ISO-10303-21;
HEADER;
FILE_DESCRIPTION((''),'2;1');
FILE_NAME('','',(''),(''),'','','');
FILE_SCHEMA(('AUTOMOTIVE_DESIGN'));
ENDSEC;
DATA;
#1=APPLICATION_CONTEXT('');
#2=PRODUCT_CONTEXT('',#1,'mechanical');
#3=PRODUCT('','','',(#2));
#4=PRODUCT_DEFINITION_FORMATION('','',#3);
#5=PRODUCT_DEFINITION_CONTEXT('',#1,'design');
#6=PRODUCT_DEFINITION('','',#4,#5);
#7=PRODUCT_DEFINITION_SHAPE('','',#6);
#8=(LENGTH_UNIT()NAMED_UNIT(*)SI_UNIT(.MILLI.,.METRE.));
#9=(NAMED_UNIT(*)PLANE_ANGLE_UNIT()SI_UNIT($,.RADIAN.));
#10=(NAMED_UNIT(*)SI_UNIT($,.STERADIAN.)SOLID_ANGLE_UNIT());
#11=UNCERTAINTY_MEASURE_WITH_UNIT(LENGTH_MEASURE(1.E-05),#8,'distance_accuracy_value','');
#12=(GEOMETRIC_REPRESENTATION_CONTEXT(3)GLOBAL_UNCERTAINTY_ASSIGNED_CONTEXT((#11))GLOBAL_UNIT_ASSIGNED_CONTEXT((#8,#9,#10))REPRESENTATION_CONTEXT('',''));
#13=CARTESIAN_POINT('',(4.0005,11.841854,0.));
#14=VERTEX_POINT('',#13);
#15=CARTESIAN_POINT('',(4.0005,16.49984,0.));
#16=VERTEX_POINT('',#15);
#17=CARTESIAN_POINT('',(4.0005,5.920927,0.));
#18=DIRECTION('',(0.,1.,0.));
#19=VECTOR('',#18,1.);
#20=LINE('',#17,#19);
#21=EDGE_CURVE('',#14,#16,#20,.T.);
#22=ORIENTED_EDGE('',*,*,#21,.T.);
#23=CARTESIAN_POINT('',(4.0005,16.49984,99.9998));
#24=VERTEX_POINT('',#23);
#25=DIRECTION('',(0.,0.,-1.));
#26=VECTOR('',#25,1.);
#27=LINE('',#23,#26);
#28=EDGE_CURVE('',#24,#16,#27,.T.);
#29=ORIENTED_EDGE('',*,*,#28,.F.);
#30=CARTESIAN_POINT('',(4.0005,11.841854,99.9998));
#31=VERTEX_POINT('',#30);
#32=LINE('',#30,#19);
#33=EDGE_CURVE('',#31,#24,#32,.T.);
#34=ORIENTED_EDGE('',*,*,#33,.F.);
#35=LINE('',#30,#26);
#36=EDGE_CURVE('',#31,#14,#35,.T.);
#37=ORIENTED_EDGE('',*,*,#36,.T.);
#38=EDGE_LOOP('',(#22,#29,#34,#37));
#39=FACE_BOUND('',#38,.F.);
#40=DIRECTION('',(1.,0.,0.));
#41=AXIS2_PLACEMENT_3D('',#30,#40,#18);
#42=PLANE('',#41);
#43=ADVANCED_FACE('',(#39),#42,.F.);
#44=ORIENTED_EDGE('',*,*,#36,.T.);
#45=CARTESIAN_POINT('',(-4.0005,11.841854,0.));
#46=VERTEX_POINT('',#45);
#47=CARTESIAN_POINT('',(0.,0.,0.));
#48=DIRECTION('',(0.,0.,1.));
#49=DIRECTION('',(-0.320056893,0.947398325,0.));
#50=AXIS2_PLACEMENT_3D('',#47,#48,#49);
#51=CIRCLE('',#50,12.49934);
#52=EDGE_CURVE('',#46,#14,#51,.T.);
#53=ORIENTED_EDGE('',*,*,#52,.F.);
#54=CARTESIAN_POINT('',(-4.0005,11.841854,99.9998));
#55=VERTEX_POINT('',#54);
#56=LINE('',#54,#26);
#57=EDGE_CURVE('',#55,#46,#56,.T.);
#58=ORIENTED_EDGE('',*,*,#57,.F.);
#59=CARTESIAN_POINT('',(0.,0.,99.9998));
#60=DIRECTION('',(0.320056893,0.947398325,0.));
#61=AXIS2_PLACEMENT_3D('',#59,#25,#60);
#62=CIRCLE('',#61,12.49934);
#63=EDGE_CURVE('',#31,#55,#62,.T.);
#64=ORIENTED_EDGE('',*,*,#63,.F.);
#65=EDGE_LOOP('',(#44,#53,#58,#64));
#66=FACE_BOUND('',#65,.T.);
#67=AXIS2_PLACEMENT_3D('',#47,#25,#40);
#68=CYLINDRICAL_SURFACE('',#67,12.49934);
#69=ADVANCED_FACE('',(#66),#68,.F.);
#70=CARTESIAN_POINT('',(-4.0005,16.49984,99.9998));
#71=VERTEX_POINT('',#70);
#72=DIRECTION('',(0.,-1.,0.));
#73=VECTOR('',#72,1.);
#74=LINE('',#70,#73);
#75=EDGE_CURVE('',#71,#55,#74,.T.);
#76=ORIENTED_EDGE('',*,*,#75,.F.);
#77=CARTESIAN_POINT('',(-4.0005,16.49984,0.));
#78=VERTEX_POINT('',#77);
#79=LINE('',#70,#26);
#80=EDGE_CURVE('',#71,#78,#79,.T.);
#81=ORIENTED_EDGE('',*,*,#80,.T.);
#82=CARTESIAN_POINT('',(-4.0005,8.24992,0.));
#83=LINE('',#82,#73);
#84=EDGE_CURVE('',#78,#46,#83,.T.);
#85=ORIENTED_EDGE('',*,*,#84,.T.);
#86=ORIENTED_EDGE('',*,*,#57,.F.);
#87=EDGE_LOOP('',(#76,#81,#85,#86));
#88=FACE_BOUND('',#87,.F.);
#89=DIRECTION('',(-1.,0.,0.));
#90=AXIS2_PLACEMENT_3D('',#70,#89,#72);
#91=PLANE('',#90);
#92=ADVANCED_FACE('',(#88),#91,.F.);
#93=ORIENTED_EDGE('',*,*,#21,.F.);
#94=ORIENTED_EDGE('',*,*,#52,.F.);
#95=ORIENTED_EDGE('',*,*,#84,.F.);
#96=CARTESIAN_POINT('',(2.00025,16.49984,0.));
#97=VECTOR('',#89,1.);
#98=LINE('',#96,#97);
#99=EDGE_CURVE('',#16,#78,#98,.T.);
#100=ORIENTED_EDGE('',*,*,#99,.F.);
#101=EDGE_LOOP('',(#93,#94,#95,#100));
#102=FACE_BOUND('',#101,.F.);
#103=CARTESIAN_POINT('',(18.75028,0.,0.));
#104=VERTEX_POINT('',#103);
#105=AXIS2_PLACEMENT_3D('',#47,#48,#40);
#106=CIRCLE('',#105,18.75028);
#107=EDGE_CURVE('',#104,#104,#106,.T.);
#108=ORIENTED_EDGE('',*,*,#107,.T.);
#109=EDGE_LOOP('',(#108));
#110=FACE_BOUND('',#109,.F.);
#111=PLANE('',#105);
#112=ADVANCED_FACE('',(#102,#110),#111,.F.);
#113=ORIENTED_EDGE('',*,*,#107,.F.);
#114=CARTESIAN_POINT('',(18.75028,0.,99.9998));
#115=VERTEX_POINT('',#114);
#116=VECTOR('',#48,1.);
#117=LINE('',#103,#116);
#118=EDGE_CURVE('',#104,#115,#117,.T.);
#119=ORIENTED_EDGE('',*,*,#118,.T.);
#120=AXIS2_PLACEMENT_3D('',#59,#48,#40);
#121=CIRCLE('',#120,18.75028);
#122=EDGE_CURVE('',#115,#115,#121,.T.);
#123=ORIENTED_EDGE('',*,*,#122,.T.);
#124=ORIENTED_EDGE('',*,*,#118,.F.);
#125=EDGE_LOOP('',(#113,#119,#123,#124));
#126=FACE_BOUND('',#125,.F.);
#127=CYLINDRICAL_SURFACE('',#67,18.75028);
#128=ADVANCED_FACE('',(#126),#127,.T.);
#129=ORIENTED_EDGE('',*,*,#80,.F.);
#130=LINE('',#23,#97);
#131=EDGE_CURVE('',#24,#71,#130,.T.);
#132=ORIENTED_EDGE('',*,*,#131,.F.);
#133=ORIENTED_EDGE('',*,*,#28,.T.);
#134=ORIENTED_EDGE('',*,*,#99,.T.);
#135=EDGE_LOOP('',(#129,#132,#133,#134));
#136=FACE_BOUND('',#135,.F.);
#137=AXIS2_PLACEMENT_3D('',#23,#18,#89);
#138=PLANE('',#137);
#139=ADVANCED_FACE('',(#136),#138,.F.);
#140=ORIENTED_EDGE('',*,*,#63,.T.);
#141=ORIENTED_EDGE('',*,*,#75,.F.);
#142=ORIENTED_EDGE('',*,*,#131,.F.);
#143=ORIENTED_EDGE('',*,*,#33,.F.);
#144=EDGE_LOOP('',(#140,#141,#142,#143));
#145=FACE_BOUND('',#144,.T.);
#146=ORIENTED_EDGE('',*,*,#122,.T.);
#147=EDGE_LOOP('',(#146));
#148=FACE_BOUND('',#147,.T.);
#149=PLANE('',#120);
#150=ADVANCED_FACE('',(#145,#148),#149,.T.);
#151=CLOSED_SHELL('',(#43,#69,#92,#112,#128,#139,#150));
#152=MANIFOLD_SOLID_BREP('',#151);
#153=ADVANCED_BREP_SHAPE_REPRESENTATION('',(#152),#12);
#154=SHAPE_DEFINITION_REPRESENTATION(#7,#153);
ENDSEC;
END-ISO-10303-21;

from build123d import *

# Parameters (mm, degrees)
F0_R     = 18.75028
F0_R_2   = 12.49934
F1_DEPTH = 99.9998
F3_DEPTH = 100.0008


with BuildPart() as f1:
    # F0 (on Top) → F1 (new body)
    with BuildSketch(Plane.XY):
        Circle(F0_R)
        Circle(F0_R_2, mode=Mode.SUBTRACT)
    extrude(amount=F1_DEPTH)

    # F2 (on face) → F3 (cut, through all)
    with BuildSketch(Plane.XY.offset(99.9998)):
        with BuildLine():
            ThreePointArc((-4.0005, 11.841854), (-7.288, -10.154731), (12.49934, 0))
            ThreePointArc((12.49934, 0), (10.154731, 7.288), (4.0005, 11.841854))
            Line((4.0005, 11.841854), (4.0005, 8.49884))
            Line((4.0005, 8.49884), (-4.0005, 8.49884))
            Line((-4.0005, 8.49884), (-4.0005, 11.841854))
        make_face()
        with BuildLine():
            ThreePointArc((-4.0005, 11.841854), (0, 12.49934), (4.0005, 11.841854))
            Line((4.0005, 11.841854), (4.0005, 16.49984))
            Line((4.0005, 16.49984), (-4.0005, 16.49984))
            Line((-4.0005, 16.49984), (-4.0005, 11.841854))
        make_face()
    extrude(amount=-F3_DEPTH, mode=Mode.SUBTRACT)


solid = f1.part
